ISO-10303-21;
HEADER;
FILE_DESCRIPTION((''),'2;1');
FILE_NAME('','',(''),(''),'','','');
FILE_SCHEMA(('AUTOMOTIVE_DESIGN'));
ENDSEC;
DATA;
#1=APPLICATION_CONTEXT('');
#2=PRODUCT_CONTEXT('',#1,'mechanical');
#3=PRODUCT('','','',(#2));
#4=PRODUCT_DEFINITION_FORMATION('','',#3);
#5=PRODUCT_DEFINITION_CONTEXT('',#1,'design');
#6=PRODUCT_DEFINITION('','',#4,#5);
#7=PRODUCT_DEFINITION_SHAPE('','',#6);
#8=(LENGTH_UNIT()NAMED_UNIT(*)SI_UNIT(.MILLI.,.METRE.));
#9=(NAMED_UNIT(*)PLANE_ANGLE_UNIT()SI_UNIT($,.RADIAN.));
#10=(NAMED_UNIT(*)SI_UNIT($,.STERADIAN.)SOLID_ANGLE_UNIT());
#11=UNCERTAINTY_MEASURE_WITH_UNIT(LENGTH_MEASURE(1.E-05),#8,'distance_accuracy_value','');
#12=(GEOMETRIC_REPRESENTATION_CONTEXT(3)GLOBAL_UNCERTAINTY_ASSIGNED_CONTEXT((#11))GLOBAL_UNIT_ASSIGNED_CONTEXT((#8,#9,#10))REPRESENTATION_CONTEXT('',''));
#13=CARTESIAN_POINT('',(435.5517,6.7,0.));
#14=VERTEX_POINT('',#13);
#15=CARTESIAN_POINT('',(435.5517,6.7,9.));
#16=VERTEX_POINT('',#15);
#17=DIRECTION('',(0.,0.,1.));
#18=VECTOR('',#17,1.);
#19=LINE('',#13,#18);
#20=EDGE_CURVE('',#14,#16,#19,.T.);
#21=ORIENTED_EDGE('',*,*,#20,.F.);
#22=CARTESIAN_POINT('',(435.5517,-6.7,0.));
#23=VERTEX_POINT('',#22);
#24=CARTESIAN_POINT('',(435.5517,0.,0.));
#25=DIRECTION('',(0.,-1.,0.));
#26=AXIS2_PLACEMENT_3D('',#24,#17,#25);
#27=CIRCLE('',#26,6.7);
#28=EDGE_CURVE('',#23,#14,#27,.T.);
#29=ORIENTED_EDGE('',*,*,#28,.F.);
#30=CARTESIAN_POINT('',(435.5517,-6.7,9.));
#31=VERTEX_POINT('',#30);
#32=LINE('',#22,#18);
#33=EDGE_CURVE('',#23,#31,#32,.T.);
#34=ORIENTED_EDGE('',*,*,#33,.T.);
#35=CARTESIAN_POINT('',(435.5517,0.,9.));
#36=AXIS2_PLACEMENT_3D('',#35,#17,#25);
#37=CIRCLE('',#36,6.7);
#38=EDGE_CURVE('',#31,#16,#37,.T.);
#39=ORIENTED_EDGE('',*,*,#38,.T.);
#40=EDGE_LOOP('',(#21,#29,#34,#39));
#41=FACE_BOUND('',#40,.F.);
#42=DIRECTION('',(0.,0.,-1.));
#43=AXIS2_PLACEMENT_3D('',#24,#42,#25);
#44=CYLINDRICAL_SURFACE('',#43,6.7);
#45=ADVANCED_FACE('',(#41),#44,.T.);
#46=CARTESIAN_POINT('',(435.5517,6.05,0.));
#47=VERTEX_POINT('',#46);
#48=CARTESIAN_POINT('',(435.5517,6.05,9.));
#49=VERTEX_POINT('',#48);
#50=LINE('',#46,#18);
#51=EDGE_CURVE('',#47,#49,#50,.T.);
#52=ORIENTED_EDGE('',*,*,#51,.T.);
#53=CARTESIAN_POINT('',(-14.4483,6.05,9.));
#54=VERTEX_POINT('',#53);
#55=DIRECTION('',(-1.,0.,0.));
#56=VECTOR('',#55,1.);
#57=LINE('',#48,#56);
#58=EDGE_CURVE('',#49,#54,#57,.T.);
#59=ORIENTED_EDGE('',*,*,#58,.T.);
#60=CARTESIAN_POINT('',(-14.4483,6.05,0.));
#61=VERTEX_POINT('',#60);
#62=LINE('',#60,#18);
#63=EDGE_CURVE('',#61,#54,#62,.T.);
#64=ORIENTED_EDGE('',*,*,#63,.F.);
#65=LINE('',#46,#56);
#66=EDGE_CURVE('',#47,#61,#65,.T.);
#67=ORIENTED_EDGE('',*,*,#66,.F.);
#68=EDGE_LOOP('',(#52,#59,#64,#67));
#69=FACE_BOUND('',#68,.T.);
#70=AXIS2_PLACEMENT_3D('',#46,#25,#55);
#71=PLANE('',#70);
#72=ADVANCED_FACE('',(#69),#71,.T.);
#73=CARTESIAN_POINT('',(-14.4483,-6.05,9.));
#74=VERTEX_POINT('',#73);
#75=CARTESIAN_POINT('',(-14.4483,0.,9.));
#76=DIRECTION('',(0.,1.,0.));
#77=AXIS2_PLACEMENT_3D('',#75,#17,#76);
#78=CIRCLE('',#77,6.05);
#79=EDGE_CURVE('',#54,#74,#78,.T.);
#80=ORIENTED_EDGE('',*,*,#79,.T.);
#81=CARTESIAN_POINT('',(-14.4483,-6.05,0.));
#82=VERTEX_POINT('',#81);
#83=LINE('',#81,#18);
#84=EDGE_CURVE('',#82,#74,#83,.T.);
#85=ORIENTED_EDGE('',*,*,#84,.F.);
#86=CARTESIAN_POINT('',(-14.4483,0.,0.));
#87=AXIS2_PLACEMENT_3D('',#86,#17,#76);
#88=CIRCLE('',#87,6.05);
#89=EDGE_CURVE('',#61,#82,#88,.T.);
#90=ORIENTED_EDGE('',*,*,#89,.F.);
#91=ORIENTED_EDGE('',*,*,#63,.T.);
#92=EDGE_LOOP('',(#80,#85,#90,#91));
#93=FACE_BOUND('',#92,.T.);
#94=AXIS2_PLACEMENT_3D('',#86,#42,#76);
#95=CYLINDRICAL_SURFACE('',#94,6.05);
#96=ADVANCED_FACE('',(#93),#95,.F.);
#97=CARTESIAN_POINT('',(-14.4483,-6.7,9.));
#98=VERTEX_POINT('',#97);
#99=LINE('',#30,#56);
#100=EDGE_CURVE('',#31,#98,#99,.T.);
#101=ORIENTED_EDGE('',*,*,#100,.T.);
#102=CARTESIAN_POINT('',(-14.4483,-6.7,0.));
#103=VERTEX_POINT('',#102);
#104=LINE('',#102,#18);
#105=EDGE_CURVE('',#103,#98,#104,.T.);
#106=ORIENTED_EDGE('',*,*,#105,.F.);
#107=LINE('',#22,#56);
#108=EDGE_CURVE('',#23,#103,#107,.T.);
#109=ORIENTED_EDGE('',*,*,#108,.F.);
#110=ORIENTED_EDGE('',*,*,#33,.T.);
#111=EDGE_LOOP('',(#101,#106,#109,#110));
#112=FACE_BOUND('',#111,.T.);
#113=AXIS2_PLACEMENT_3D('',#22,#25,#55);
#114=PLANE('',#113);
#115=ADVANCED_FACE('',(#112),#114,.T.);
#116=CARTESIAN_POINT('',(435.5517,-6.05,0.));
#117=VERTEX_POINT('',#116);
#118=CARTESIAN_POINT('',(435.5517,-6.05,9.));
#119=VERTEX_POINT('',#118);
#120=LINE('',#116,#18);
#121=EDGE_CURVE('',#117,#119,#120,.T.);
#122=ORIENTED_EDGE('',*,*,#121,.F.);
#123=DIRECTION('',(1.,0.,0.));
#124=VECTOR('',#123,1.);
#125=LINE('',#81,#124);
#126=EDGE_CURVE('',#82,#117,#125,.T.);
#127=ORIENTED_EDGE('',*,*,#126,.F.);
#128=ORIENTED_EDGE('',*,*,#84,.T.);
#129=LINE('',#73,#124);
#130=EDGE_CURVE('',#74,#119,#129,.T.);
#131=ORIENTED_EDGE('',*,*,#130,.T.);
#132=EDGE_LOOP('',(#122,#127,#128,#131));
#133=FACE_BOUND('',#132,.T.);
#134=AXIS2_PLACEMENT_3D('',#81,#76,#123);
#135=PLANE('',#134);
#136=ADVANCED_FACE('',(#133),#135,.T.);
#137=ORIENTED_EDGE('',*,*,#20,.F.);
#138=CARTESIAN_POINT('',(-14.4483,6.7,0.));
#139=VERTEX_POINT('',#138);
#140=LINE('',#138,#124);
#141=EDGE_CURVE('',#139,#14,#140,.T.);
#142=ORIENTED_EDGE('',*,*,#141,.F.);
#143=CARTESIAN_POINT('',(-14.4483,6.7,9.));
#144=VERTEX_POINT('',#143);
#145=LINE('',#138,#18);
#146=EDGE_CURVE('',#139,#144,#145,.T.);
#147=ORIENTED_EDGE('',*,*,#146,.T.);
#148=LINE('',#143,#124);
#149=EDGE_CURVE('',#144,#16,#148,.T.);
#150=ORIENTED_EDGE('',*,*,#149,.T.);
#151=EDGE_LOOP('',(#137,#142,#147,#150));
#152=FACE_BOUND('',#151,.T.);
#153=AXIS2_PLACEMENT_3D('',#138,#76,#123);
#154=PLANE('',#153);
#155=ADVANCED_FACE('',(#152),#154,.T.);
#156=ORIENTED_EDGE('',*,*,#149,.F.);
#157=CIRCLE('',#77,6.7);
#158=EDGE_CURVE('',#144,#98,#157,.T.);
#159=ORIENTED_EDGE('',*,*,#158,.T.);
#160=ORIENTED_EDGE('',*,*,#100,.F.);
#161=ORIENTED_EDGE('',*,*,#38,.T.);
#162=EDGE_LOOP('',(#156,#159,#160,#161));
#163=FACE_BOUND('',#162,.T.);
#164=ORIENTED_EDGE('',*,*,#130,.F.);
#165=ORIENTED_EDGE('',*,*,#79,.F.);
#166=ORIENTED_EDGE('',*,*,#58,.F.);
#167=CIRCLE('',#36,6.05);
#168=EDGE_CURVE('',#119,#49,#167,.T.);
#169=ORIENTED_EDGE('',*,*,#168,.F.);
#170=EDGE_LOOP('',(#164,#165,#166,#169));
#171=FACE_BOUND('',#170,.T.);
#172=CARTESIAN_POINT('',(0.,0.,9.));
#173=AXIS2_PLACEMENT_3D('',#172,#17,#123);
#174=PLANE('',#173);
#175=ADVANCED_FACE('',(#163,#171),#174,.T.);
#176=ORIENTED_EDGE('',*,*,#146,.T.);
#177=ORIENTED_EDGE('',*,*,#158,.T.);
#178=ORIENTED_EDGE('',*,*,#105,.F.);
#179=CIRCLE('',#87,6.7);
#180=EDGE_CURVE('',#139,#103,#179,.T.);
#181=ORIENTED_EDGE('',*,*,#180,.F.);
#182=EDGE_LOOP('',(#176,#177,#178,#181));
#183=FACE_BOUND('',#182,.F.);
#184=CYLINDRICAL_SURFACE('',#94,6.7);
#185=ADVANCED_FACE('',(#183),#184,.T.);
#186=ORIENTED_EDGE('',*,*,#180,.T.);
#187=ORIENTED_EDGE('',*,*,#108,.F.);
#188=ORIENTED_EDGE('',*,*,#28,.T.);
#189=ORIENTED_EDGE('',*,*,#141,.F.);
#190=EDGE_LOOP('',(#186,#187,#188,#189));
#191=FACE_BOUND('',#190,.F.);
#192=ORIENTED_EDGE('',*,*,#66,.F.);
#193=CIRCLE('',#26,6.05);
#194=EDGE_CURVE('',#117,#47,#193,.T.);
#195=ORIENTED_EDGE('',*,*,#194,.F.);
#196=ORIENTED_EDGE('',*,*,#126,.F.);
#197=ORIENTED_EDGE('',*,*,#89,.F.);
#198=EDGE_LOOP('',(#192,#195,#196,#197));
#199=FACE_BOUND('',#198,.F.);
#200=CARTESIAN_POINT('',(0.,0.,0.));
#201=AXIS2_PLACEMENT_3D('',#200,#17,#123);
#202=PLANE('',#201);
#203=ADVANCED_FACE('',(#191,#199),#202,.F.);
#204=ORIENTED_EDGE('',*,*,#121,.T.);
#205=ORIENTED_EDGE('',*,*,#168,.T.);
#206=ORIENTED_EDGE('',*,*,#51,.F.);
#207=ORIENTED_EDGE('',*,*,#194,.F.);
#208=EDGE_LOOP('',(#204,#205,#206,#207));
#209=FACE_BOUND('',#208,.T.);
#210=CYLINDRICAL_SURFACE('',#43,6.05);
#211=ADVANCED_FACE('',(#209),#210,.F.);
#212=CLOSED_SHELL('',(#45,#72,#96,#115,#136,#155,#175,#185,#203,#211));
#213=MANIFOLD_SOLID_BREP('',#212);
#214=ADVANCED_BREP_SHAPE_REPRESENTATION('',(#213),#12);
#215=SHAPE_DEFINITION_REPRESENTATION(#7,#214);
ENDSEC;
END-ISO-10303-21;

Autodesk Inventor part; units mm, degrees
ref_plane "YZ Plane" through (0, 0, 0) normal (1, 0, 0) x (0, 1, 0)
ref_plane "XZ Plane" through (0, 0, 0) normal (0, 1, 0) x (-1, 0, 0)
ref_plane "XY Plane" through (0, 0, 0) normal (0, 0, 1) x (1, 0, 0)
sketch "Szkic1" plane through (0, 0, 0) normal (0, 0, 1) x (1, 0, 0)
  line L0 (-14.4483, 0) -> (435.5517, 0) construction
  line L1 (-14.4483, -6.05) -> (435.5517, -6.05)
  line L2 (435.5517, 6.05) -> (-14.4483, 6.05)
  arc A0 (-14.4483, 6.05) -> (-14.4483, -6.05) centre (-14.4483, 0) ccw
  arc A1 (435.5517, -6.05) -> (435.5517, 6.05) centre (435.5517, 0) ccw
  line L3 (-14.4483, 6.7) -> (435.5517, 6.7)
  arc A2 (435.5517, -6.7) -> (435.5517, 6.7) centre (435.5517, 0) ccw
  line L4 (435.5517, -6.7) -> (-14.4483, -6.7)
  arc A3 (-14.4483, 6.7) -> (-14.4483, -6.7) centre (-14.4483, 0) ccw
  point P0 (0, 0)
  point P1 (210.5517, 0)
  dimension "d0" = 450
  dimension "d1" = 12.1
  dimension "d2" = 0.65
extrude "Wyciągnięcie proste1" add sketch "Szkic1" along normal blind 9
properties part number "COTS_GENERIC_X_Axis_GT2_Timing_Belt"
